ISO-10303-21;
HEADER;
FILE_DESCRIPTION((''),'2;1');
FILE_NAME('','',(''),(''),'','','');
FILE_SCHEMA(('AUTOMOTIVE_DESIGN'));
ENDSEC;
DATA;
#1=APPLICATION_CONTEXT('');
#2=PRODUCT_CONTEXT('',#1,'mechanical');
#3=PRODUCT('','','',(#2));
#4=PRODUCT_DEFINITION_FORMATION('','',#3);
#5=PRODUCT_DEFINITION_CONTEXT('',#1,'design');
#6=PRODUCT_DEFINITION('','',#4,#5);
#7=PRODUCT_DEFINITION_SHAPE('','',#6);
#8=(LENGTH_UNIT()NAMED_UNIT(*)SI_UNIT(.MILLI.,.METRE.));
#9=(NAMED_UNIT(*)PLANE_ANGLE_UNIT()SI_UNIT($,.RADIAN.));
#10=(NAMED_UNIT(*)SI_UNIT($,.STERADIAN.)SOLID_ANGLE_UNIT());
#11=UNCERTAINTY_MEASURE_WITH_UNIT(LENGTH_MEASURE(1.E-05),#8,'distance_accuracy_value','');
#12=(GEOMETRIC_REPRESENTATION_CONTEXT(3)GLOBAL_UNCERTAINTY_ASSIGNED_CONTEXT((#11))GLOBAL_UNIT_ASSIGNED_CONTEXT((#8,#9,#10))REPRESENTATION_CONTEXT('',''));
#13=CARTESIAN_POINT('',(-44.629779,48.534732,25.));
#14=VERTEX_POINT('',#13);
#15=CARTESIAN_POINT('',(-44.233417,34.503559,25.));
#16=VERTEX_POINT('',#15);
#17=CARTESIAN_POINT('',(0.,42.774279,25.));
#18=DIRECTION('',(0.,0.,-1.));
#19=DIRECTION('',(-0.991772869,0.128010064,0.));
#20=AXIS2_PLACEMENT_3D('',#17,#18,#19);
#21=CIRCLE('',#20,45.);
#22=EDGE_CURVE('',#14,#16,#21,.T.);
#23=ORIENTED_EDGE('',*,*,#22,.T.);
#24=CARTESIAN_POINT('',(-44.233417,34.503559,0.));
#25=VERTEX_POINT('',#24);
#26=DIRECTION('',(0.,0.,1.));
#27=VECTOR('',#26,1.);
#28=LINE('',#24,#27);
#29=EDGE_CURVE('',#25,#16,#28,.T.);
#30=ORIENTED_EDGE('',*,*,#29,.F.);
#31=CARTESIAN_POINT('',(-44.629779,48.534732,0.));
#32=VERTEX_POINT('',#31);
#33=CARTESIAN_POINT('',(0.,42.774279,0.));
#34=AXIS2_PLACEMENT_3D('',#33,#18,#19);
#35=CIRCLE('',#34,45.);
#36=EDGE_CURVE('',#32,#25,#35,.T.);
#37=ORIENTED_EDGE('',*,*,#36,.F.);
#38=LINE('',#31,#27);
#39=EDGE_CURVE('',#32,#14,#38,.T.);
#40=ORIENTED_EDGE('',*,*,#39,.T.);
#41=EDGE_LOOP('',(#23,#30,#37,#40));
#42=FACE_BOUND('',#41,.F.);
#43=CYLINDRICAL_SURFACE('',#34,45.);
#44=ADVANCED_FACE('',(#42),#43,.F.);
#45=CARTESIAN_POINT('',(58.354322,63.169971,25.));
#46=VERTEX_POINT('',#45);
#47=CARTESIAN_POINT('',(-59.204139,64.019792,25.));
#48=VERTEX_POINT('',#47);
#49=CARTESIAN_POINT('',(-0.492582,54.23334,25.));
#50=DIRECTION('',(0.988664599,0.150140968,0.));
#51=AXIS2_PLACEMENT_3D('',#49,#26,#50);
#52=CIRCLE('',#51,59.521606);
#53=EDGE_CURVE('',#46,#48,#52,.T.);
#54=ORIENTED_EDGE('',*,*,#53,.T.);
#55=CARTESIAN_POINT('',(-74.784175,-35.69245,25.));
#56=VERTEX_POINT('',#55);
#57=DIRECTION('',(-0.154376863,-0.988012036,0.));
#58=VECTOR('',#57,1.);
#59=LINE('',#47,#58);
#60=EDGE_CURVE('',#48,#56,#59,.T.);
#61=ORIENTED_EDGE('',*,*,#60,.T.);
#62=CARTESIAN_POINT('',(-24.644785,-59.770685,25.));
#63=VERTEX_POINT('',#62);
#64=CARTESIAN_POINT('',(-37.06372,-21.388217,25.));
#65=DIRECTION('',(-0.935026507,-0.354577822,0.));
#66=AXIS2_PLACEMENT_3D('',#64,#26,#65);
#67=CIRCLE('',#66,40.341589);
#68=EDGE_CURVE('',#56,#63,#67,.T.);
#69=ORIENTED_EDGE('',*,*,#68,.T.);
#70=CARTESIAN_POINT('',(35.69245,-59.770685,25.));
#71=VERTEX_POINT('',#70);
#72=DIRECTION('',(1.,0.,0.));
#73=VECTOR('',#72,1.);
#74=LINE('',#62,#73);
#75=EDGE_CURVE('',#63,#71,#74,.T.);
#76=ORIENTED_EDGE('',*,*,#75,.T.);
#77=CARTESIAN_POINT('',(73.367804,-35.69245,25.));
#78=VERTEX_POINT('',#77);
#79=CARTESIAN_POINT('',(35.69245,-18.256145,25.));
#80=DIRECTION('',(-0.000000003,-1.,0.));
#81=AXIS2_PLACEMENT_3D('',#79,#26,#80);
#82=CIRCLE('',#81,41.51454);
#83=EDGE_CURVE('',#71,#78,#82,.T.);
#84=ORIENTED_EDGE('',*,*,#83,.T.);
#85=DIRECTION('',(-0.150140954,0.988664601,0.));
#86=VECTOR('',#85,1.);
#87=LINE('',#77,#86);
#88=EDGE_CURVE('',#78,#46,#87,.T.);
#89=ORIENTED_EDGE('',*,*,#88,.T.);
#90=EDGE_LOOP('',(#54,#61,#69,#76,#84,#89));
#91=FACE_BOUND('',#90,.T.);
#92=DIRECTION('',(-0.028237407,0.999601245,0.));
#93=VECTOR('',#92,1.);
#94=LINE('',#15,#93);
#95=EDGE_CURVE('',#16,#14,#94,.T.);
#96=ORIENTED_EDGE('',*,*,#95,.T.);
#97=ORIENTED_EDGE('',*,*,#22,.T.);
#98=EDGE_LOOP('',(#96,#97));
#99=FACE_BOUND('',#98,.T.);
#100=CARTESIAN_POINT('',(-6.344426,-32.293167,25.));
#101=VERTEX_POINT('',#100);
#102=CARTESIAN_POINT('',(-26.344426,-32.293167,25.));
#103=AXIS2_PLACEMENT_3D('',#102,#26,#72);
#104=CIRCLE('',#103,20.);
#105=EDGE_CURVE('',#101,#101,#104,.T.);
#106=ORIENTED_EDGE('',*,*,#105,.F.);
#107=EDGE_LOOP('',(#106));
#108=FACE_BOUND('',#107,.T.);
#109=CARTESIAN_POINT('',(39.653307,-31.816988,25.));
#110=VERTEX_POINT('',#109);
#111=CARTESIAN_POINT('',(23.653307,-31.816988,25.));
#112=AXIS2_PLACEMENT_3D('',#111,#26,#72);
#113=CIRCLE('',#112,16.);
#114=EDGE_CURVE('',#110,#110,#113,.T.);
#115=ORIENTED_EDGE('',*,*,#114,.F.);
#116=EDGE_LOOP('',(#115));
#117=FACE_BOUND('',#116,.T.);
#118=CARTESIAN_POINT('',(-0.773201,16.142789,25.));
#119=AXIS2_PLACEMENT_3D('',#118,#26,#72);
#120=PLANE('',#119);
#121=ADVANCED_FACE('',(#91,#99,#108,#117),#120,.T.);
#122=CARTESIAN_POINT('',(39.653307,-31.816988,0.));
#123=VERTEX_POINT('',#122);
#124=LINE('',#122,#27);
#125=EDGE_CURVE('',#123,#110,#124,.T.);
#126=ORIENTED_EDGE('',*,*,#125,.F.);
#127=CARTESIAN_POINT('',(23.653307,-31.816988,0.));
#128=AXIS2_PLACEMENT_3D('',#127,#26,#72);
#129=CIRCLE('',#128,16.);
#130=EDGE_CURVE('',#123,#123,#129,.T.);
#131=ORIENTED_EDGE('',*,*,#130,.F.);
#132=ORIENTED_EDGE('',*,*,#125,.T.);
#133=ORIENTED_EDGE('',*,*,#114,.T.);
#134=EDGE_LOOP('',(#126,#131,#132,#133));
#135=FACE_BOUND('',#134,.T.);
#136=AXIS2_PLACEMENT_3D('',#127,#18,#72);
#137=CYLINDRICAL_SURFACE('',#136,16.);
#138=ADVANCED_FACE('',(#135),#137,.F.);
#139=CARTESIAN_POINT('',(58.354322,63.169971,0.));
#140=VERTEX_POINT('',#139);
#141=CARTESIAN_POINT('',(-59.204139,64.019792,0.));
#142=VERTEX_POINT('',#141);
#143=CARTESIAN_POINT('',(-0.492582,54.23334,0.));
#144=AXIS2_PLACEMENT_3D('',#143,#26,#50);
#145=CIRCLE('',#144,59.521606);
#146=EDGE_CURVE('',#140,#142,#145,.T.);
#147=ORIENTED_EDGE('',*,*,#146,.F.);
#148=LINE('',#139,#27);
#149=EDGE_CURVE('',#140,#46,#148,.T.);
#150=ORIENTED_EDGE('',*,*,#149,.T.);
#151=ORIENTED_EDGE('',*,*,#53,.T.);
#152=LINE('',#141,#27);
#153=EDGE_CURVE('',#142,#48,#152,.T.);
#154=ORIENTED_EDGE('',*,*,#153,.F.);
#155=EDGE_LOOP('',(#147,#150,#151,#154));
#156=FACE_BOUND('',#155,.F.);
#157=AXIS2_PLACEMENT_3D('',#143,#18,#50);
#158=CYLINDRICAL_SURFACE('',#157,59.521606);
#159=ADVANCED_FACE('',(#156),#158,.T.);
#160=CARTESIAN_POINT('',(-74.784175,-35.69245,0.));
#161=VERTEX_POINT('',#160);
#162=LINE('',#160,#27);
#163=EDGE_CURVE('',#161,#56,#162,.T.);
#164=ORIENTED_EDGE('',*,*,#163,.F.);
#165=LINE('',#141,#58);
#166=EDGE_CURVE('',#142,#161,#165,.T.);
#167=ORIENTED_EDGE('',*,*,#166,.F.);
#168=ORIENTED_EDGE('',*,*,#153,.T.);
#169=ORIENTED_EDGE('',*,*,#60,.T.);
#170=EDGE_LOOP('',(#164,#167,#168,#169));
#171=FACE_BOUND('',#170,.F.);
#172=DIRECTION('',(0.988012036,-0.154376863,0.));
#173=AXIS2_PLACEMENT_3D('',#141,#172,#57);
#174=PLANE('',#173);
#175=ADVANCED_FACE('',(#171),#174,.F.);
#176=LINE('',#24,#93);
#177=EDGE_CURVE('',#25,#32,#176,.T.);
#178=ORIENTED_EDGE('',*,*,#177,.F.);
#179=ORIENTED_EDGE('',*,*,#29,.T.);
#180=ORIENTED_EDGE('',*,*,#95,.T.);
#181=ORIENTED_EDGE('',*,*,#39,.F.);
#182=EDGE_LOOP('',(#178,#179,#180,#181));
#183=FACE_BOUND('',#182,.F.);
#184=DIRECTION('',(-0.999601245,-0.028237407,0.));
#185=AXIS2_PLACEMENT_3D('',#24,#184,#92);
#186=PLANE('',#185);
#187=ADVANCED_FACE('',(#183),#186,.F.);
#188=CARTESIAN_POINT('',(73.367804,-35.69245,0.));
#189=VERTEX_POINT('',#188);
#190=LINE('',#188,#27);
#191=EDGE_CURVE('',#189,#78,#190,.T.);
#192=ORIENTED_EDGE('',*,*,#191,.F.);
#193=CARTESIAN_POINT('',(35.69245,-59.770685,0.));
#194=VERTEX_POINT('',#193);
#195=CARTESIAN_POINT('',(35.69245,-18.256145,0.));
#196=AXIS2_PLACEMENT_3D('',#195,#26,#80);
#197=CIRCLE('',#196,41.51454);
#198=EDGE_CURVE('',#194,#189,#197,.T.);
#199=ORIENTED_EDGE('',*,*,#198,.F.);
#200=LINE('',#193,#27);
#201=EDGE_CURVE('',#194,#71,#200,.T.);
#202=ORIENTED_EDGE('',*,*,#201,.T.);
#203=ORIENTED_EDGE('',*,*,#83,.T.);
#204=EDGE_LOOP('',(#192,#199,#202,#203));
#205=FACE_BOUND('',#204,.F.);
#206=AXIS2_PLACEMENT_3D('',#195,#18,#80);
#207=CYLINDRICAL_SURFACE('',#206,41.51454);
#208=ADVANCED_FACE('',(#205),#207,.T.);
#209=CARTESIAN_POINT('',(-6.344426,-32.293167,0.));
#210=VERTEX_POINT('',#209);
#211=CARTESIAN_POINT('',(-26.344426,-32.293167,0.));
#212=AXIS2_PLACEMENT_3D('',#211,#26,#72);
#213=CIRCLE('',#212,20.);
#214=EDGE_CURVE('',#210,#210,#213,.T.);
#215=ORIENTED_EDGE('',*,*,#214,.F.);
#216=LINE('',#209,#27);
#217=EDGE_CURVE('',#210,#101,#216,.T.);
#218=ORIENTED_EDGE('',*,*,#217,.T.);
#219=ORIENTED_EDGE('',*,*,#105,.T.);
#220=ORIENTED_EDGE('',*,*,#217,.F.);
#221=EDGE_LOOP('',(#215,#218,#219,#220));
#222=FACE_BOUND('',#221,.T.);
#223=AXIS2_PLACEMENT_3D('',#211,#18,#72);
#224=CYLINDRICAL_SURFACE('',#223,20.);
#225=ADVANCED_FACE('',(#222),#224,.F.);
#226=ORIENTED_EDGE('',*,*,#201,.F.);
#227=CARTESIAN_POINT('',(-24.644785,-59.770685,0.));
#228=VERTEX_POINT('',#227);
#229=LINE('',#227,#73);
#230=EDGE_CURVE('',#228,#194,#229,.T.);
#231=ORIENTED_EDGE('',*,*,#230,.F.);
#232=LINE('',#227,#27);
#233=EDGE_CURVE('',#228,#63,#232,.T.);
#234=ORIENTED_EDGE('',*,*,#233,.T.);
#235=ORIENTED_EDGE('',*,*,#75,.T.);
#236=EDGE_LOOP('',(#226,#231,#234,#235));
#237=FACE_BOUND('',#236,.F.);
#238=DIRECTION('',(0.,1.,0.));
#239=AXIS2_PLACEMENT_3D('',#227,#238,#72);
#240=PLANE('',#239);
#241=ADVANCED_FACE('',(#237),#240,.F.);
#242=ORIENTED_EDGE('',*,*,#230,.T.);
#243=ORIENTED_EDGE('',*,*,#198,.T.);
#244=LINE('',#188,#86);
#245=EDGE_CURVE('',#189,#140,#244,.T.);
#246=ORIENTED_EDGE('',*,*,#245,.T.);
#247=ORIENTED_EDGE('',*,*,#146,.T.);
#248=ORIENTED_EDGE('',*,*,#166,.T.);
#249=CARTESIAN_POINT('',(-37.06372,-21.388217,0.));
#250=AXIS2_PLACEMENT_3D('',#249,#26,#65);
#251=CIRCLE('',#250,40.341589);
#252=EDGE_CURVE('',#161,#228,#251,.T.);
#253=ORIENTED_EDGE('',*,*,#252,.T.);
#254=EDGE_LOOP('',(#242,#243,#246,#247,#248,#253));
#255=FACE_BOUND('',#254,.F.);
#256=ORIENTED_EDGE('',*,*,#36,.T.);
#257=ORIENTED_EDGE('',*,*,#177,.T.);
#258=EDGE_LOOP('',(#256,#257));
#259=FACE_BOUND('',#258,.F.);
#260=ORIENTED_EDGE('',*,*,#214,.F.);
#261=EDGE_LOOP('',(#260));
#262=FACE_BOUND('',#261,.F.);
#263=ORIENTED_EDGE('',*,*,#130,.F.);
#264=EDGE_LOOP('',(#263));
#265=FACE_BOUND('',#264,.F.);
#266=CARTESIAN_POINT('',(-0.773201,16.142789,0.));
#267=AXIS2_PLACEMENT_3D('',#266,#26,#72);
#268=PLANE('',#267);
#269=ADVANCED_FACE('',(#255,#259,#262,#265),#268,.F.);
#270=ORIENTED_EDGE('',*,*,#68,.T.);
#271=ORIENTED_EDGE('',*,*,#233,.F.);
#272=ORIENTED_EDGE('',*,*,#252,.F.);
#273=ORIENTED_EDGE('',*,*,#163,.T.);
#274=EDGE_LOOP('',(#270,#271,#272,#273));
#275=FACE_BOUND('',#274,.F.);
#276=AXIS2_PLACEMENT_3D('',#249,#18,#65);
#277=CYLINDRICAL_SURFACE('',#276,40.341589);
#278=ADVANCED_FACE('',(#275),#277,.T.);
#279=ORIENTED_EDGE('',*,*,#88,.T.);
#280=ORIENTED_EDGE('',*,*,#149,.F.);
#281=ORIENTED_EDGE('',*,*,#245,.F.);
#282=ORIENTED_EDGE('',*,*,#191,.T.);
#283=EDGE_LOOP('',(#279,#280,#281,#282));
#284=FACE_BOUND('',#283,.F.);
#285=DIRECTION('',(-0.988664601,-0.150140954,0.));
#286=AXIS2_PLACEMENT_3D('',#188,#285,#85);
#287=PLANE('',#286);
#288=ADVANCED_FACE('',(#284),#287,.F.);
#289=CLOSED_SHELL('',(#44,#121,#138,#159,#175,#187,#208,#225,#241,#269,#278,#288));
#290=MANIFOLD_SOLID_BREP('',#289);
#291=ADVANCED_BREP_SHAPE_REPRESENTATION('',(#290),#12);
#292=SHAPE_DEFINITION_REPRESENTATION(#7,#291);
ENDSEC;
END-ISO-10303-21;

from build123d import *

# Parameters (mm, degrees)
F0_R     = 20
F0_R_2   = 16
F1_DEPTH = 25


with BuildPart() as f1:
    # F0 (on Top) → F1 (new body)
    with BuildSketch(Plane.XY):
        with BuildLine():
            Line((-24.644785, -59.770685), (35.69245, -59.770685))
            ThreePointArc((35.69245, -59.770685), (58.048622, -53.236977), (73.367804, -35.69245))
            Line((73.367804, -35.69245), (58.354322, 63.169971))
            ThreePointArc((58.354322, 63.169971), (-0.062317, 113.75339), (-59.204139, 64.019792))
            Line((-59.204139, 64.019792), (-74.784175, -35.69245))
            ThreePointArc((-74.784175, -35.69245), (-54.527456, -57.753884), (-24.644785, -59.770685))
        make_face()
        with Locations((-26.344426, -32.293167)):
            Circle(F0_R, mode=Mode.SUBTRACT)
        with Locations((23.653307, -31.816988)):
            Circle(F0_R_2, mode=Mode.SUBTRACT)
        with BuildLine():
            ThreePointArc((-44.629779, 48.534732), (44.982056, 44.044961), (-44.233417, 34.503559))
            Line((-44.233417, 34.503559), (-44.629779, 48.534732))
        make_face(mode=Mode.SUBTRACT)
    extrude(amount=F1_DEPTH)


solid = f1.part
